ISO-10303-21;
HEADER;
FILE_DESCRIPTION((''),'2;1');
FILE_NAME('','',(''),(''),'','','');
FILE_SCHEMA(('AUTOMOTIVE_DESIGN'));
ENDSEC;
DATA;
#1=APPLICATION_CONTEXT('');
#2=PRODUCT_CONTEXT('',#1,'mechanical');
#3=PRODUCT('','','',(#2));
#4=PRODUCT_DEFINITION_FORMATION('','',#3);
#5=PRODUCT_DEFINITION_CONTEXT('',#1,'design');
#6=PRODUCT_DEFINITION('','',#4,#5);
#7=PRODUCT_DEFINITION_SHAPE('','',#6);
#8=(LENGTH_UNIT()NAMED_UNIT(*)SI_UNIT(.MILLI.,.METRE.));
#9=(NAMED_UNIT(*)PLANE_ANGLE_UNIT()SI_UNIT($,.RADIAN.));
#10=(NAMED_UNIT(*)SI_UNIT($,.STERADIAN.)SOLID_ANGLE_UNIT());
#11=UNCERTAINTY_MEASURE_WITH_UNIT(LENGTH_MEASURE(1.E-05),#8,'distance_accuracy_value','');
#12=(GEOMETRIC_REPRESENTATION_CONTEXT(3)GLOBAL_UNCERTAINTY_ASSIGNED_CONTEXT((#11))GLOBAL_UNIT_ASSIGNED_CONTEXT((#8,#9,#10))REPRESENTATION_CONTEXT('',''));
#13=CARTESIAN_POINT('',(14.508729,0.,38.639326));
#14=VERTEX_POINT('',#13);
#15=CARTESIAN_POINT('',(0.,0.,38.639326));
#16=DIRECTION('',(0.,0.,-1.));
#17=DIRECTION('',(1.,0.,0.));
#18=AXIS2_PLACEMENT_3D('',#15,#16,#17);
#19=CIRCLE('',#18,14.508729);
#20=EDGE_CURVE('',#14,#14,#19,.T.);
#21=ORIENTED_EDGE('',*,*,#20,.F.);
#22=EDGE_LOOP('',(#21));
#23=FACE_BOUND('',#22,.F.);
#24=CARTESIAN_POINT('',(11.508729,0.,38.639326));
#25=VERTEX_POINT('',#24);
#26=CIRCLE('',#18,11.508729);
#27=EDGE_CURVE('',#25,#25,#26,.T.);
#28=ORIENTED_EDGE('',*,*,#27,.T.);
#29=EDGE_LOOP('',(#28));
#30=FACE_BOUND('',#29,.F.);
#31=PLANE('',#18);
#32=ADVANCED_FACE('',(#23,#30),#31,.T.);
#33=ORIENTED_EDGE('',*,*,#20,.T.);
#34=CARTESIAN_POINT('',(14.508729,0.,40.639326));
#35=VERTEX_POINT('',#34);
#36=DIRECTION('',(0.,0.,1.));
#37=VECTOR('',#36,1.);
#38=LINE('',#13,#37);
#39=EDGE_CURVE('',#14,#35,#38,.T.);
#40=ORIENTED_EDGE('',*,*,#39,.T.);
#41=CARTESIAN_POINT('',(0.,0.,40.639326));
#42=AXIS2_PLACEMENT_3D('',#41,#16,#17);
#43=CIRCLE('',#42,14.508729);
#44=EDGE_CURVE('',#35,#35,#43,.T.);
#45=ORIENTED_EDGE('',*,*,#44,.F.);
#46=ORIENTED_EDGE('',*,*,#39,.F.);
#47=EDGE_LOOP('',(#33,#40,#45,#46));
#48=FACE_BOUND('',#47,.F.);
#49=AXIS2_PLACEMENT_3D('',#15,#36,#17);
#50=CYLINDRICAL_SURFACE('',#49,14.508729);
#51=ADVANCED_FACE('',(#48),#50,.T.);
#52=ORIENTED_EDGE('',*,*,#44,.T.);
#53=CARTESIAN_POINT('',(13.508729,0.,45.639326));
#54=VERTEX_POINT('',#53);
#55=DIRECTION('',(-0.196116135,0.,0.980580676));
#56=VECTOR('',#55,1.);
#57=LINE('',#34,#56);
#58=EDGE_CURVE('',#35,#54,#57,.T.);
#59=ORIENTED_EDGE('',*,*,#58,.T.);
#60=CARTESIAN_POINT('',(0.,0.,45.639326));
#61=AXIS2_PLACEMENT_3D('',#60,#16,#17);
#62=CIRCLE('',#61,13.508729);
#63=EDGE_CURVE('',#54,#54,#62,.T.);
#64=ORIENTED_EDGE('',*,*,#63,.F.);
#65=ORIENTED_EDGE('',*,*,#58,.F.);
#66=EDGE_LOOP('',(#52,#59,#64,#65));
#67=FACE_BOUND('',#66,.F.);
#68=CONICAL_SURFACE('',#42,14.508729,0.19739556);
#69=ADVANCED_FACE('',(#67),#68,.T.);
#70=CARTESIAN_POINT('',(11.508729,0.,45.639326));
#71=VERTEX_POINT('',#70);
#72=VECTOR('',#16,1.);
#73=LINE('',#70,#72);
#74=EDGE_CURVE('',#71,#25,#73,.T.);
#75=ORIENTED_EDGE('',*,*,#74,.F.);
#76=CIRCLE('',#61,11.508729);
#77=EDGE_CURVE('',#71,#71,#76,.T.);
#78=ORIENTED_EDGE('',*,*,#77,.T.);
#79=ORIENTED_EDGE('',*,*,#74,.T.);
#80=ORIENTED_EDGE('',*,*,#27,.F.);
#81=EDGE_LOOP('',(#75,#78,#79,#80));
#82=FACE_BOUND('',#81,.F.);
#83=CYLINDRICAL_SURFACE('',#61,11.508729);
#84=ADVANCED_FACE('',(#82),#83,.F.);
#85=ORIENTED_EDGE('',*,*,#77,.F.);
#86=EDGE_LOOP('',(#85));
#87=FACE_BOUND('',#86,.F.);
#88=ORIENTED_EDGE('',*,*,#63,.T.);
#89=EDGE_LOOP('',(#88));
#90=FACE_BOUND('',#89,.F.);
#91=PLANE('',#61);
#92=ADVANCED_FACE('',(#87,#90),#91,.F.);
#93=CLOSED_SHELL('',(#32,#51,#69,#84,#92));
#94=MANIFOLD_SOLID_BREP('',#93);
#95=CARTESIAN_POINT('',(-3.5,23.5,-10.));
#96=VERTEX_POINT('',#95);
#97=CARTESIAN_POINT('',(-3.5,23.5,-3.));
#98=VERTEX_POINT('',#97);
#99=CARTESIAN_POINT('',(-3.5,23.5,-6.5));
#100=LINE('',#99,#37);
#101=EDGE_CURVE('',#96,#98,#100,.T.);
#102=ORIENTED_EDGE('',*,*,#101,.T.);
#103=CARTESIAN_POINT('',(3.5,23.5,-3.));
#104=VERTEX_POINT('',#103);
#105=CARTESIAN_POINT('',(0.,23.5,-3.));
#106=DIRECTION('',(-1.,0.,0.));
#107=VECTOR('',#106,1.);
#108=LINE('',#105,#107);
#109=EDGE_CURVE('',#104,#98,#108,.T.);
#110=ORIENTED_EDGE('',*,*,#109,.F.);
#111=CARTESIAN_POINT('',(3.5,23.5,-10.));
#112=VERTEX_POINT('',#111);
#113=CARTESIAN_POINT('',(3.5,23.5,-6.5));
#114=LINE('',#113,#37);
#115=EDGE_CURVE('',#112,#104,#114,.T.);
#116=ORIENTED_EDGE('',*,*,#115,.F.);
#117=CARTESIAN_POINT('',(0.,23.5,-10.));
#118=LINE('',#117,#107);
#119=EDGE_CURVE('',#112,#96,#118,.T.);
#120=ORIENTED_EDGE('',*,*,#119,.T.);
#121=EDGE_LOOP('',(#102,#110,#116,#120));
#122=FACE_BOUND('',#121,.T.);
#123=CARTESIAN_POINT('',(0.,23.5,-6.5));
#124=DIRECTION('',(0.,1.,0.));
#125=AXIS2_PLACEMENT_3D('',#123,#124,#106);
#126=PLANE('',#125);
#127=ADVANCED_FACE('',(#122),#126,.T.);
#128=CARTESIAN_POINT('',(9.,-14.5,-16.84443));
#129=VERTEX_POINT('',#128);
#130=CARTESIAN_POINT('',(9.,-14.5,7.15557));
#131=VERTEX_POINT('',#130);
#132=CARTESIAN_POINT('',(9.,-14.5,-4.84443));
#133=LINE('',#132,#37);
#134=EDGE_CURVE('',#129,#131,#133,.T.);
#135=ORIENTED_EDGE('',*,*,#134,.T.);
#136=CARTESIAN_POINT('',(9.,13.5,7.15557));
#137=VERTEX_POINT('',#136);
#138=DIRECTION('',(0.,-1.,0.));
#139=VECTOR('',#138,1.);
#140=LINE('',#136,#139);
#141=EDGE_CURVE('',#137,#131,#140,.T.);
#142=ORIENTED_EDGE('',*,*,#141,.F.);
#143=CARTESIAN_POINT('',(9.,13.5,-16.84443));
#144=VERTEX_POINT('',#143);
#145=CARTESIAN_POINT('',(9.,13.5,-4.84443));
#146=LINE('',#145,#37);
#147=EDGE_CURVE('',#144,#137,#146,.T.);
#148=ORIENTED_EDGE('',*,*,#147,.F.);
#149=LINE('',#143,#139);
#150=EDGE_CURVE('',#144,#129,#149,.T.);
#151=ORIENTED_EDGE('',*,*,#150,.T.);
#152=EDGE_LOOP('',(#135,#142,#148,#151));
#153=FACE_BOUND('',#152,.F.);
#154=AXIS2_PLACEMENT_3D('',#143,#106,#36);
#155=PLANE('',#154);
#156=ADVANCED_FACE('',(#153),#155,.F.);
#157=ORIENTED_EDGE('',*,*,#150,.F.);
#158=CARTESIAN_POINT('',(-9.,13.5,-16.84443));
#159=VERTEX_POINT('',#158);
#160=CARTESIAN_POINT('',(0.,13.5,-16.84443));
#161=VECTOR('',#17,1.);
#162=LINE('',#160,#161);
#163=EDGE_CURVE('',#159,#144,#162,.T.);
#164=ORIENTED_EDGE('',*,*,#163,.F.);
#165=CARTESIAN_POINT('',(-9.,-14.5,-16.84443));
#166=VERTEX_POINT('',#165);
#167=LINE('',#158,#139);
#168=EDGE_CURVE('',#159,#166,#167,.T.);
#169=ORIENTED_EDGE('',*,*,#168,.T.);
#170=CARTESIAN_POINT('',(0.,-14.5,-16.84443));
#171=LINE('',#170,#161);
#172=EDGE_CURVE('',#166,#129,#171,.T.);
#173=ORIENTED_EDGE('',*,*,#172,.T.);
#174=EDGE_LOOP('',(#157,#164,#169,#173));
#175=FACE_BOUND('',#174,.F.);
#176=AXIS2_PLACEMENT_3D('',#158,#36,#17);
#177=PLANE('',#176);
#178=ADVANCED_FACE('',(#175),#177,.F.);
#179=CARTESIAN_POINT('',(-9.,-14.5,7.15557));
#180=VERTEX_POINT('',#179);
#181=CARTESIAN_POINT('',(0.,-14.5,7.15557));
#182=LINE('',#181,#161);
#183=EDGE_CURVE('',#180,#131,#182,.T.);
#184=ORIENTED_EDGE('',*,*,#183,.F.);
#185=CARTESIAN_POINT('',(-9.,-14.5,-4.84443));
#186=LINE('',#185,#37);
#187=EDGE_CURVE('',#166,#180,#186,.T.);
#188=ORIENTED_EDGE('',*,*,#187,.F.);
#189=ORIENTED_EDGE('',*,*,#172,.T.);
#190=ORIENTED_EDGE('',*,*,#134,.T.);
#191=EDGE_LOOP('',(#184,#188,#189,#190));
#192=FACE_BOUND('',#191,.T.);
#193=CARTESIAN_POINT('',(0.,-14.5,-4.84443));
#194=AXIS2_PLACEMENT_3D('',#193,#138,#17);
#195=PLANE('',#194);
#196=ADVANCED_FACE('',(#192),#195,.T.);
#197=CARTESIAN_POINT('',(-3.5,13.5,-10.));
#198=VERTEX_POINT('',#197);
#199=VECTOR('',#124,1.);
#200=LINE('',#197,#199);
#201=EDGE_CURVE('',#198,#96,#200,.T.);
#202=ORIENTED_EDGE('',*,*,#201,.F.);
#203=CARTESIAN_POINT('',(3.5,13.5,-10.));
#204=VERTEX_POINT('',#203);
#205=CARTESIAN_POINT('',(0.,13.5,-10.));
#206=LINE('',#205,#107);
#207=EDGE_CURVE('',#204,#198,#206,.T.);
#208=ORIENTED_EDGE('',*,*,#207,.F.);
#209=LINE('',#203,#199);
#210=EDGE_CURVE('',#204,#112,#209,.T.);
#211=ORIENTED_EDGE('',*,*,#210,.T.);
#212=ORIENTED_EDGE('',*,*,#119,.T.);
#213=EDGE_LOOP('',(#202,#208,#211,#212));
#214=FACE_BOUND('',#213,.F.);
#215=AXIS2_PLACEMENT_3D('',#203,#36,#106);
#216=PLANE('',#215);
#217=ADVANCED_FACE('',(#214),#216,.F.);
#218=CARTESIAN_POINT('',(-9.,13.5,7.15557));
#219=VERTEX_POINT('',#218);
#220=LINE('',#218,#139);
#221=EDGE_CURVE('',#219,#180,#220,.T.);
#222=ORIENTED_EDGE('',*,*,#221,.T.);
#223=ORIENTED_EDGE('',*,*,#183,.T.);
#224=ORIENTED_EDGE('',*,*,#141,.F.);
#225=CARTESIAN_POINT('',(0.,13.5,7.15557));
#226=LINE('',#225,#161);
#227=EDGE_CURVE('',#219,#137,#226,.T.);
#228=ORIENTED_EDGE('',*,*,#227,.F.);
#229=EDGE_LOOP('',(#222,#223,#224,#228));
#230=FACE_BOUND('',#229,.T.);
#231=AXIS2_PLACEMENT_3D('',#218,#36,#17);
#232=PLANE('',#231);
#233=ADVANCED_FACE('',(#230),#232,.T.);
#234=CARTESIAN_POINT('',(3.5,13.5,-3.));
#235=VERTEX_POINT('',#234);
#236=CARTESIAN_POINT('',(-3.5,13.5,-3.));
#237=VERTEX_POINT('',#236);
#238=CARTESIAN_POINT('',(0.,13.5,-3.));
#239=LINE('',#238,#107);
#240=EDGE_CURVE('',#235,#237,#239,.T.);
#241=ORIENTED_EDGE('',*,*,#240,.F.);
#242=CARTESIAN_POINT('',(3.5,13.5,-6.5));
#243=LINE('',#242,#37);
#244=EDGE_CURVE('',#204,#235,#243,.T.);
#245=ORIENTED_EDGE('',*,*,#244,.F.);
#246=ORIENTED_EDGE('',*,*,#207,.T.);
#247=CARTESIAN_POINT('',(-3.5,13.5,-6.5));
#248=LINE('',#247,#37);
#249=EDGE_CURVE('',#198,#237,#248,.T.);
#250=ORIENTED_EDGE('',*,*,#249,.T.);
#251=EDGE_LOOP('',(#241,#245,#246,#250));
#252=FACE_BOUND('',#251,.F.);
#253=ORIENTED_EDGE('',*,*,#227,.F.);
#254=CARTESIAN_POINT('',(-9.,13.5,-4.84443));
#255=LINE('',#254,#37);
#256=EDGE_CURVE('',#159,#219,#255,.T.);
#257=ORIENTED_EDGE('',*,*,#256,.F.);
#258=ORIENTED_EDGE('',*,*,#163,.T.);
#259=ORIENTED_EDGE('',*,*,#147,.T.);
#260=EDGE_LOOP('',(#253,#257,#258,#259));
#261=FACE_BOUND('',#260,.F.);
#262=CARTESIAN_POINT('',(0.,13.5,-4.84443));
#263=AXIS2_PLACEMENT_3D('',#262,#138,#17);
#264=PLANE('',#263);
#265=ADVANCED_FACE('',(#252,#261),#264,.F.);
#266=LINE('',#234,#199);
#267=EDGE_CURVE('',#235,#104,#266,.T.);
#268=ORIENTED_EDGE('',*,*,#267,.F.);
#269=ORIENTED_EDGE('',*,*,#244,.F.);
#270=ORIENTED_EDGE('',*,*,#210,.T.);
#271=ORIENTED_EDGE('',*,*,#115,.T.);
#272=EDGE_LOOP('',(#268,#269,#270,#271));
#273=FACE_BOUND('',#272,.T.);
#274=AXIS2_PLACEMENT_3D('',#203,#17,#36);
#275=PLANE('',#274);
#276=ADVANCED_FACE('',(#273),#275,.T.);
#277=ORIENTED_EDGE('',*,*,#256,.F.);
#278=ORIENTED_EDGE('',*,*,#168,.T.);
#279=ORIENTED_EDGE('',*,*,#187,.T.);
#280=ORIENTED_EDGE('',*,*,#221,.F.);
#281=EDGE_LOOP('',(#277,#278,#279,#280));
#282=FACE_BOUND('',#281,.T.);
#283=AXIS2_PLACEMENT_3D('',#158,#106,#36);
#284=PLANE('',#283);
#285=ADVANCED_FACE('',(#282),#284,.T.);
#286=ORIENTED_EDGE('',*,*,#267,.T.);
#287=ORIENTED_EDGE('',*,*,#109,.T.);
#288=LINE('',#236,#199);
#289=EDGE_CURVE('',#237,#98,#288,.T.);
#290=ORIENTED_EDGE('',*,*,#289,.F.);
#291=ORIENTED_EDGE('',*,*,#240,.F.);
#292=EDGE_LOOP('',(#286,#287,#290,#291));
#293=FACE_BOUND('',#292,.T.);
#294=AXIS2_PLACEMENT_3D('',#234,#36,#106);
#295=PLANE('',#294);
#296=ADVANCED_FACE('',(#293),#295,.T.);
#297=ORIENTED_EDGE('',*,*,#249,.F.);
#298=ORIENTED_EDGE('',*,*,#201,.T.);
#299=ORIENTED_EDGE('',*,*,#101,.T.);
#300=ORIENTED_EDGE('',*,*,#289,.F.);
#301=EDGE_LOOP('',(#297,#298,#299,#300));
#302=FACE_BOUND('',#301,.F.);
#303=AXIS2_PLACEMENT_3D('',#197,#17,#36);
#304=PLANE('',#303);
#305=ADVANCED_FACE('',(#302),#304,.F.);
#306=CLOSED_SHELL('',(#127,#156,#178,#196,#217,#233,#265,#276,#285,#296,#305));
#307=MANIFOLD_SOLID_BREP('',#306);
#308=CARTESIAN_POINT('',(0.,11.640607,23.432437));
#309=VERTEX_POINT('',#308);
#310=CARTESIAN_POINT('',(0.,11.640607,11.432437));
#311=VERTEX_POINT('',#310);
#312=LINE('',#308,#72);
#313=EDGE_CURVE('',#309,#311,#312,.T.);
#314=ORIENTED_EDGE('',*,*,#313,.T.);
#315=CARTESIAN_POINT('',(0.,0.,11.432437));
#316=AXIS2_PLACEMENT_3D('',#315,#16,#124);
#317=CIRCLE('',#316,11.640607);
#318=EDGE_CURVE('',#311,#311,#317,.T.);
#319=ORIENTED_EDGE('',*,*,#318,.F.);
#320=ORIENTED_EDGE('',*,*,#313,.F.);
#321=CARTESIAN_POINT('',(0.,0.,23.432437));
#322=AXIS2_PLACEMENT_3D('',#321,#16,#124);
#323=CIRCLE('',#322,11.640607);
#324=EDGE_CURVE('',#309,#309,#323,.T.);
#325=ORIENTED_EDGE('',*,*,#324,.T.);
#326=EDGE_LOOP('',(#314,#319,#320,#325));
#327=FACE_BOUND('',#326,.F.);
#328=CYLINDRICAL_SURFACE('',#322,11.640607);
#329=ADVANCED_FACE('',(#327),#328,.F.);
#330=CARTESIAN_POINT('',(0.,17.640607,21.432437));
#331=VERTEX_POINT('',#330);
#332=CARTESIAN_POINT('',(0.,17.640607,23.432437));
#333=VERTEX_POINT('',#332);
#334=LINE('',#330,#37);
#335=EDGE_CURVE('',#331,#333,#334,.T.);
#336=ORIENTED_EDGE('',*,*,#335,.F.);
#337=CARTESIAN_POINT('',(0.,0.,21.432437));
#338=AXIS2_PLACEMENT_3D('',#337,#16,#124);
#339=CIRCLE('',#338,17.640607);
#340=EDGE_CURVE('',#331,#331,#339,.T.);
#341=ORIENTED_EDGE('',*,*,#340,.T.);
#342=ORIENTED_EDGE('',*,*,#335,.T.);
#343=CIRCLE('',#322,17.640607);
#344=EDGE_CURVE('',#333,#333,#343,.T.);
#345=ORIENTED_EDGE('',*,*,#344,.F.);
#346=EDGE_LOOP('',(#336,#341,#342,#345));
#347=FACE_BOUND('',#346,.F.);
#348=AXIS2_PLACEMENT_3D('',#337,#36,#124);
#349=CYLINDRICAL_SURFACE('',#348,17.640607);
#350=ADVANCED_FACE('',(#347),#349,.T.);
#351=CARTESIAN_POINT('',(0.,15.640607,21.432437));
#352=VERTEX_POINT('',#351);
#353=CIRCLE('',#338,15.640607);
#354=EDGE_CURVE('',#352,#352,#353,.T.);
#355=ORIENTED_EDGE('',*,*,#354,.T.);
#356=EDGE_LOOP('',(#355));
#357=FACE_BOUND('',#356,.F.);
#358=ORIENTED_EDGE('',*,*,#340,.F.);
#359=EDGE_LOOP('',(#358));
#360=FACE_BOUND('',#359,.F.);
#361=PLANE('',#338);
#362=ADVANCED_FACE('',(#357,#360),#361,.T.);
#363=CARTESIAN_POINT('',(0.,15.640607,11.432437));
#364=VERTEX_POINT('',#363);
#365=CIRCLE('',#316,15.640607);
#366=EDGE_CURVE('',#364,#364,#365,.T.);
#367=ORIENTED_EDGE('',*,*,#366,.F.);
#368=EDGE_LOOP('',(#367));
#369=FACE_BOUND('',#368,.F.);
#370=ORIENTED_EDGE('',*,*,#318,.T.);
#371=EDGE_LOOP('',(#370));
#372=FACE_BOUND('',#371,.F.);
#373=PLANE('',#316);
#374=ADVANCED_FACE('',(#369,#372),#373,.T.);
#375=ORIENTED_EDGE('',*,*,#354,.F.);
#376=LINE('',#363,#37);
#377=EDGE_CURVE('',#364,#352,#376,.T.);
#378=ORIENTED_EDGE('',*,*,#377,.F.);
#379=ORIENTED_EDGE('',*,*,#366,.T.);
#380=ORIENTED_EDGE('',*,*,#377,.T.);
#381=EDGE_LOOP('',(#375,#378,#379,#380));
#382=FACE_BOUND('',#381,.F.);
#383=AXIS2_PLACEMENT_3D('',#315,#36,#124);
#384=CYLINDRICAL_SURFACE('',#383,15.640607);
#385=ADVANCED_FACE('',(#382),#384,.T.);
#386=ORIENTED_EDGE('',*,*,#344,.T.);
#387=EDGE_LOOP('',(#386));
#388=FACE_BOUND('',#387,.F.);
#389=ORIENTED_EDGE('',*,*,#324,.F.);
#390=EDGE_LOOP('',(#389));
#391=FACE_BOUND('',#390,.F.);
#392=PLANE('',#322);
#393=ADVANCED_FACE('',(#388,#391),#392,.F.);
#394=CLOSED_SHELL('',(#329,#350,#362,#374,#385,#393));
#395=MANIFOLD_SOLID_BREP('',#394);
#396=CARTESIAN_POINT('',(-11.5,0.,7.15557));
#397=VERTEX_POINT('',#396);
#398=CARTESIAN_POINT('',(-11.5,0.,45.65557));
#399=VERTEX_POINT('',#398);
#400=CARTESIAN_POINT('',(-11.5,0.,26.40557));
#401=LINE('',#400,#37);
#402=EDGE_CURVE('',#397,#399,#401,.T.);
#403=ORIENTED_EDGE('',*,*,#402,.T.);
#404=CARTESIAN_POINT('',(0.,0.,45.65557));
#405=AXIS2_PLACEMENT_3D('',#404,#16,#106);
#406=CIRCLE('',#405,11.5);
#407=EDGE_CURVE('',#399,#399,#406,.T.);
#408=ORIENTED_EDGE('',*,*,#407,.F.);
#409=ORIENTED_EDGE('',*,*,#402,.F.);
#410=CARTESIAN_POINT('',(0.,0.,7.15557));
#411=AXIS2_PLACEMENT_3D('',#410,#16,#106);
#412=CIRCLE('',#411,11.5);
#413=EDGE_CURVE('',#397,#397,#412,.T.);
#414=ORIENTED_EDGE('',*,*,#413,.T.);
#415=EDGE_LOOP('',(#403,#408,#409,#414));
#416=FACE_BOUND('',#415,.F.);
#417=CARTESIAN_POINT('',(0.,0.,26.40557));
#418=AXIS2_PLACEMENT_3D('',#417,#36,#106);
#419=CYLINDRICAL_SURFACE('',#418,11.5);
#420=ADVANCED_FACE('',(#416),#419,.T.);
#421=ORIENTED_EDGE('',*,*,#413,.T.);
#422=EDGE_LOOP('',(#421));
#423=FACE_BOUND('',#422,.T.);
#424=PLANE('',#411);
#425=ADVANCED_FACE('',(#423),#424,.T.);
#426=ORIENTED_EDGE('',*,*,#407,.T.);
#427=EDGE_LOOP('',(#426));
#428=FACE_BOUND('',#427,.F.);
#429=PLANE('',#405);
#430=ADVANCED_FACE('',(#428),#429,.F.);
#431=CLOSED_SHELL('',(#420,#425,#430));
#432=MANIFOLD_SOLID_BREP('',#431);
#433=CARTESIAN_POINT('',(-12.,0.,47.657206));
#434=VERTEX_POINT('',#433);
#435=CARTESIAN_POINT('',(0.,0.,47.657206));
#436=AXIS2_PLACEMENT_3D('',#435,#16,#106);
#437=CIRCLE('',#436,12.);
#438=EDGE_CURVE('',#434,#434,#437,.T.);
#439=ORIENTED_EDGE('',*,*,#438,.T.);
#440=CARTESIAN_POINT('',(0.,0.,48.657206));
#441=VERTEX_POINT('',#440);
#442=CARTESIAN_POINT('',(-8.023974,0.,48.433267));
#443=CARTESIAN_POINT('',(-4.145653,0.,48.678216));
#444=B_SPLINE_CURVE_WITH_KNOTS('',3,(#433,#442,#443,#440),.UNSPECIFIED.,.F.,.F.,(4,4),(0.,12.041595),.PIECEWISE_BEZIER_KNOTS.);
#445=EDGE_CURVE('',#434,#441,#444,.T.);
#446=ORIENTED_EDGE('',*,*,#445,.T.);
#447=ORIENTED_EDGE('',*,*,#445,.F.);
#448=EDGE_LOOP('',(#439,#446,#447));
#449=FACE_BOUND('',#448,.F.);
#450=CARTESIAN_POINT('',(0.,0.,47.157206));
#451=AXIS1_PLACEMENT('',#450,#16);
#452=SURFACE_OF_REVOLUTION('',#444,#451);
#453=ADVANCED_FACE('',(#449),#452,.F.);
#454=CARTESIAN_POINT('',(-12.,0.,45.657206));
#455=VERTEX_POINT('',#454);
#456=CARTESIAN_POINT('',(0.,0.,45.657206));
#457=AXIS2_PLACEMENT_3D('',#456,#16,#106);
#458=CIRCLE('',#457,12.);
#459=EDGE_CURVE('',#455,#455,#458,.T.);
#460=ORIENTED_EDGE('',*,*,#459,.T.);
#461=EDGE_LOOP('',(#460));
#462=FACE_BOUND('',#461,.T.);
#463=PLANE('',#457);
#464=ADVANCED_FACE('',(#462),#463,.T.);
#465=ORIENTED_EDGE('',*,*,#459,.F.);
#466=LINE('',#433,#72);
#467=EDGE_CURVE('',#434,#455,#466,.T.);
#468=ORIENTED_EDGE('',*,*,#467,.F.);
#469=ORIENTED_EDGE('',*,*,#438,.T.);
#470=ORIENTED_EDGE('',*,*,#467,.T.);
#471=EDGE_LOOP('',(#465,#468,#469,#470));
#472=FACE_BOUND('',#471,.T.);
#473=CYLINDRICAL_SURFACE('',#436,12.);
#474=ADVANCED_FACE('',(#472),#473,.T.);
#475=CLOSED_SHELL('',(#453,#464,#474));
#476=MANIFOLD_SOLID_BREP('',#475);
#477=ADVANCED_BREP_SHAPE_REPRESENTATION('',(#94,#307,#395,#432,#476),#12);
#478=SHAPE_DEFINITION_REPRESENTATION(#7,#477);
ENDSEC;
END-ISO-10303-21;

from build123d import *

# Parameters (mm, degrees)
F0_W      = 11.5
F0_H      = 38.5
F6_W      = 18
F6_H      = 24
F7_DEPTH  = 28
F9_W      = 7
F9_H      = 7
F10_DEPTH = 10


with BuildPart() as f1:
    # F0 (on Front) → F1 (revolve)
    with BuildSketch(Plane.XZ):
        with Locations((-5.75, 26.40557)):
            Rectangle(F0_W, F0_H)
    revolve(axis=Axis((0, 0, 26.40557), (0, 0, -1)))


with BuildPart() as f3:
    # F2 (on Front) → F3 (revolve)
    with BuildSketch(Plane.XZ):
        Polygon((13.508729, 45.639326), (11.508729, 45.639326), (11.508729, 38.639326), (14.508729, 38.639326), (14.508729, 40.639326), align=None)
    revolve(axis=Axis((0, 0, 41.623192), (0, 0, -1)))


with BuildPart() as f5:
    # F4 (on Front) → F5 (revolve)
    with BuildSketch(Plane.XZ):
        with BuildLine():
            Line((-12, 45.657206), (0, 45.657206))
            Line((0, 45.657206), (0, 48.657206))
            add(Edge.make_bspline(
                [(-12, 47.657206), (-8.023974, 48.433267), (-4.145653, 48.678216), (0, 48.657206)],
                knots=[0, 0, 0, 0, 12.041595, 12.041595, 12.041595, 12.041595], degree=3))
            Line((-12, 47.657206), (-12, 45.657206))
        make_face()
    revolve(axis=Axis((0, 0, 47.157206), (0, 0, -1)))


with BuildPart() as f7:
    # F6 (on Front) → F7 (new body)
    with BuildSketch(Plane.XZ):
        with Locations((0, -4.84443)):
            Rectangle(F6_W, F6_H)
    extrude(amount=F7_DEPTH)


with BuildPart() as f7_1:
    # F8: moved
    add(f7.part.moved(Location((0, 13.5, 0))))

    # F9 (on face) → F10 (join)
    with BuildSketch(Plane(origin=(0, 13.5, 0), x_dir=(-1, 0, 0), z_dir=(0, 1, 0))):
        with Locations((0, -6.5)):
            Rectangle(F9_W, F9_H)
    extrude(amount=F10_DEPTH)


with BuildPart() as f12:
    # F11 (on Right) → F12 (revolve)
    with BuildSketch(Plane.YZ):
        Polygon((17.640607, 23.432437), (11.640607, 23.432437), (11.640607, 11.432437), (15.640607, 11.432437), (15.640607, 21.432437), (17.640607, 21.432437), align=None)
    revolve(axis=Axis((0, 0, 22.250649), (0, 0, -1)))


solid = Compound([f1.part, f3.part, f5.part, f7_1.part, f12.part])
